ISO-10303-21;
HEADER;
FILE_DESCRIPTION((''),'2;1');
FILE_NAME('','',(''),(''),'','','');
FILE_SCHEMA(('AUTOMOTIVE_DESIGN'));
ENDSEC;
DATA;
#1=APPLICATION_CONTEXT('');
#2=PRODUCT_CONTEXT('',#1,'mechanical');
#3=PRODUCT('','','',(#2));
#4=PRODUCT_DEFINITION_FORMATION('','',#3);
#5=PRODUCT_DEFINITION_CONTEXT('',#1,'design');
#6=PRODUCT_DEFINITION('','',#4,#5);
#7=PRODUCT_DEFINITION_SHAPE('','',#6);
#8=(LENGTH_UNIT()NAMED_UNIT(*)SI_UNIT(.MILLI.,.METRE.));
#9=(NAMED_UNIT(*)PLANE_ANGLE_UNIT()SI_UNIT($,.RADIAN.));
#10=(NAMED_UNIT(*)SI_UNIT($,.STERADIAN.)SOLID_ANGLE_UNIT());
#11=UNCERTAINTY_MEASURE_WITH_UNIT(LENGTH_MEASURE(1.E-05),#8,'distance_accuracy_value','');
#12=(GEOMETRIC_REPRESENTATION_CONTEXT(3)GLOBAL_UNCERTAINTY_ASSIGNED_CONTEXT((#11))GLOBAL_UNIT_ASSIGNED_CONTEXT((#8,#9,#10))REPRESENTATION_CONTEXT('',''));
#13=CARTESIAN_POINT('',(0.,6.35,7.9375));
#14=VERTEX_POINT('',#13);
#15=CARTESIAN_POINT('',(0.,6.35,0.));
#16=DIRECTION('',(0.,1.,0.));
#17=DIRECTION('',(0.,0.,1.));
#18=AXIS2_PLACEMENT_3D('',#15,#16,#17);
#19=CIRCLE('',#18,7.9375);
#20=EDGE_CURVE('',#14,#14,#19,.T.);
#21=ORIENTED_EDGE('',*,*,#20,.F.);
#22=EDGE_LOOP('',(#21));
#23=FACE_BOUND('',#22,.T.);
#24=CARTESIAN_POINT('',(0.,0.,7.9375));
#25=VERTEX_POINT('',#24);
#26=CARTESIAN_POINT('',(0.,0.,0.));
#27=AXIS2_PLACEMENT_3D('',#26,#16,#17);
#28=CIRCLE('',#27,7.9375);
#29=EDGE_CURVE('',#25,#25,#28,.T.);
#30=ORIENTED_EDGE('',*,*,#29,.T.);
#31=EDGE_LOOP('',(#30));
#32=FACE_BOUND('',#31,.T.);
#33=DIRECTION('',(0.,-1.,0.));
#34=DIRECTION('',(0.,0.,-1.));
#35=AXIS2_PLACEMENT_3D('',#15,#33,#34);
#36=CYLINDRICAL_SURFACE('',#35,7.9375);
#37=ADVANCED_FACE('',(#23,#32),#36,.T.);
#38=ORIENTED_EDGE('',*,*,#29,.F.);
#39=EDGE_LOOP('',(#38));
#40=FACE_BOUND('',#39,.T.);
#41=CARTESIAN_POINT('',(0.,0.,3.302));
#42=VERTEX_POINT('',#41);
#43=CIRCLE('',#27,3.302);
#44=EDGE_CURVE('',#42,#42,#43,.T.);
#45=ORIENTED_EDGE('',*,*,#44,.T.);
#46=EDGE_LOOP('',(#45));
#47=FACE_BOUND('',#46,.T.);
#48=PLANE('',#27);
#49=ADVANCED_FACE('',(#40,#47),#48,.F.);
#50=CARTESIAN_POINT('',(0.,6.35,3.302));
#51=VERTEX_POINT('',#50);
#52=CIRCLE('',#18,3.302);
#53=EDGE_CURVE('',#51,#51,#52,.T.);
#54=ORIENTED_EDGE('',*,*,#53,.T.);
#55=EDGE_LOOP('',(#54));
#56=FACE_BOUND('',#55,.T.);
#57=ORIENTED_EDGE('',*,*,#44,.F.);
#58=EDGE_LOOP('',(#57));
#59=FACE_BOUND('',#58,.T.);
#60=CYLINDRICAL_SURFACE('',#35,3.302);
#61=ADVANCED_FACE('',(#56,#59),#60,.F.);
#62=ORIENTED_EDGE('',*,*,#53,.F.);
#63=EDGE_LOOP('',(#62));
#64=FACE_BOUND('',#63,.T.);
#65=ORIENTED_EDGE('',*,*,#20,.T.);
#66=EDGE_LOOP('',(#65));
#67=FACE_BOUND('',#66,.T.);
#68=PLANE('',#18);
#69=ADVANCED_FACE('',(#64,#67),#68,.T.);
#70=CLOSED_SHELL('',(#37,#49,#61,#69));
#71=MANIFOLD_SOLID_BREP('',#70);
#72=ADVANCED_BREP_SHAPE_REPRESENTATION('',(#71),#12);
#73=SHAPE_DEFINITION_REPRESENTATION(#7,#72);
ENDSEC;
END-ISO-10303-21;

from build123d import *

# Parameters (mm, degrees)
SKETCH1_R           = 7.9375
SKETCH1_R_2         = 3.302
BOSS_EXTRUDE1_DEPTH = 6.35


with BuildPart() as part:
    # Sketch1 → Boss-Extrude1 (new body)
    with BuildSketch(Plane(origin=(0, 0, 0), x_dir=(1, 0, 0), z_dir=(0, 1, 0))):
        with Locations(Location((0, 0, 0), (0, 0, 270))):
            Circle(SKETCH1_R)
        with Locations(Location((0, 0, 0), (0, 0, 270))):
            Circle(SKETCH1_R_2, mode=Mode.SUBTRACT)
    extrude(amount=BOSS_EXTRUDE1_DEPTH)


solid = part.part
